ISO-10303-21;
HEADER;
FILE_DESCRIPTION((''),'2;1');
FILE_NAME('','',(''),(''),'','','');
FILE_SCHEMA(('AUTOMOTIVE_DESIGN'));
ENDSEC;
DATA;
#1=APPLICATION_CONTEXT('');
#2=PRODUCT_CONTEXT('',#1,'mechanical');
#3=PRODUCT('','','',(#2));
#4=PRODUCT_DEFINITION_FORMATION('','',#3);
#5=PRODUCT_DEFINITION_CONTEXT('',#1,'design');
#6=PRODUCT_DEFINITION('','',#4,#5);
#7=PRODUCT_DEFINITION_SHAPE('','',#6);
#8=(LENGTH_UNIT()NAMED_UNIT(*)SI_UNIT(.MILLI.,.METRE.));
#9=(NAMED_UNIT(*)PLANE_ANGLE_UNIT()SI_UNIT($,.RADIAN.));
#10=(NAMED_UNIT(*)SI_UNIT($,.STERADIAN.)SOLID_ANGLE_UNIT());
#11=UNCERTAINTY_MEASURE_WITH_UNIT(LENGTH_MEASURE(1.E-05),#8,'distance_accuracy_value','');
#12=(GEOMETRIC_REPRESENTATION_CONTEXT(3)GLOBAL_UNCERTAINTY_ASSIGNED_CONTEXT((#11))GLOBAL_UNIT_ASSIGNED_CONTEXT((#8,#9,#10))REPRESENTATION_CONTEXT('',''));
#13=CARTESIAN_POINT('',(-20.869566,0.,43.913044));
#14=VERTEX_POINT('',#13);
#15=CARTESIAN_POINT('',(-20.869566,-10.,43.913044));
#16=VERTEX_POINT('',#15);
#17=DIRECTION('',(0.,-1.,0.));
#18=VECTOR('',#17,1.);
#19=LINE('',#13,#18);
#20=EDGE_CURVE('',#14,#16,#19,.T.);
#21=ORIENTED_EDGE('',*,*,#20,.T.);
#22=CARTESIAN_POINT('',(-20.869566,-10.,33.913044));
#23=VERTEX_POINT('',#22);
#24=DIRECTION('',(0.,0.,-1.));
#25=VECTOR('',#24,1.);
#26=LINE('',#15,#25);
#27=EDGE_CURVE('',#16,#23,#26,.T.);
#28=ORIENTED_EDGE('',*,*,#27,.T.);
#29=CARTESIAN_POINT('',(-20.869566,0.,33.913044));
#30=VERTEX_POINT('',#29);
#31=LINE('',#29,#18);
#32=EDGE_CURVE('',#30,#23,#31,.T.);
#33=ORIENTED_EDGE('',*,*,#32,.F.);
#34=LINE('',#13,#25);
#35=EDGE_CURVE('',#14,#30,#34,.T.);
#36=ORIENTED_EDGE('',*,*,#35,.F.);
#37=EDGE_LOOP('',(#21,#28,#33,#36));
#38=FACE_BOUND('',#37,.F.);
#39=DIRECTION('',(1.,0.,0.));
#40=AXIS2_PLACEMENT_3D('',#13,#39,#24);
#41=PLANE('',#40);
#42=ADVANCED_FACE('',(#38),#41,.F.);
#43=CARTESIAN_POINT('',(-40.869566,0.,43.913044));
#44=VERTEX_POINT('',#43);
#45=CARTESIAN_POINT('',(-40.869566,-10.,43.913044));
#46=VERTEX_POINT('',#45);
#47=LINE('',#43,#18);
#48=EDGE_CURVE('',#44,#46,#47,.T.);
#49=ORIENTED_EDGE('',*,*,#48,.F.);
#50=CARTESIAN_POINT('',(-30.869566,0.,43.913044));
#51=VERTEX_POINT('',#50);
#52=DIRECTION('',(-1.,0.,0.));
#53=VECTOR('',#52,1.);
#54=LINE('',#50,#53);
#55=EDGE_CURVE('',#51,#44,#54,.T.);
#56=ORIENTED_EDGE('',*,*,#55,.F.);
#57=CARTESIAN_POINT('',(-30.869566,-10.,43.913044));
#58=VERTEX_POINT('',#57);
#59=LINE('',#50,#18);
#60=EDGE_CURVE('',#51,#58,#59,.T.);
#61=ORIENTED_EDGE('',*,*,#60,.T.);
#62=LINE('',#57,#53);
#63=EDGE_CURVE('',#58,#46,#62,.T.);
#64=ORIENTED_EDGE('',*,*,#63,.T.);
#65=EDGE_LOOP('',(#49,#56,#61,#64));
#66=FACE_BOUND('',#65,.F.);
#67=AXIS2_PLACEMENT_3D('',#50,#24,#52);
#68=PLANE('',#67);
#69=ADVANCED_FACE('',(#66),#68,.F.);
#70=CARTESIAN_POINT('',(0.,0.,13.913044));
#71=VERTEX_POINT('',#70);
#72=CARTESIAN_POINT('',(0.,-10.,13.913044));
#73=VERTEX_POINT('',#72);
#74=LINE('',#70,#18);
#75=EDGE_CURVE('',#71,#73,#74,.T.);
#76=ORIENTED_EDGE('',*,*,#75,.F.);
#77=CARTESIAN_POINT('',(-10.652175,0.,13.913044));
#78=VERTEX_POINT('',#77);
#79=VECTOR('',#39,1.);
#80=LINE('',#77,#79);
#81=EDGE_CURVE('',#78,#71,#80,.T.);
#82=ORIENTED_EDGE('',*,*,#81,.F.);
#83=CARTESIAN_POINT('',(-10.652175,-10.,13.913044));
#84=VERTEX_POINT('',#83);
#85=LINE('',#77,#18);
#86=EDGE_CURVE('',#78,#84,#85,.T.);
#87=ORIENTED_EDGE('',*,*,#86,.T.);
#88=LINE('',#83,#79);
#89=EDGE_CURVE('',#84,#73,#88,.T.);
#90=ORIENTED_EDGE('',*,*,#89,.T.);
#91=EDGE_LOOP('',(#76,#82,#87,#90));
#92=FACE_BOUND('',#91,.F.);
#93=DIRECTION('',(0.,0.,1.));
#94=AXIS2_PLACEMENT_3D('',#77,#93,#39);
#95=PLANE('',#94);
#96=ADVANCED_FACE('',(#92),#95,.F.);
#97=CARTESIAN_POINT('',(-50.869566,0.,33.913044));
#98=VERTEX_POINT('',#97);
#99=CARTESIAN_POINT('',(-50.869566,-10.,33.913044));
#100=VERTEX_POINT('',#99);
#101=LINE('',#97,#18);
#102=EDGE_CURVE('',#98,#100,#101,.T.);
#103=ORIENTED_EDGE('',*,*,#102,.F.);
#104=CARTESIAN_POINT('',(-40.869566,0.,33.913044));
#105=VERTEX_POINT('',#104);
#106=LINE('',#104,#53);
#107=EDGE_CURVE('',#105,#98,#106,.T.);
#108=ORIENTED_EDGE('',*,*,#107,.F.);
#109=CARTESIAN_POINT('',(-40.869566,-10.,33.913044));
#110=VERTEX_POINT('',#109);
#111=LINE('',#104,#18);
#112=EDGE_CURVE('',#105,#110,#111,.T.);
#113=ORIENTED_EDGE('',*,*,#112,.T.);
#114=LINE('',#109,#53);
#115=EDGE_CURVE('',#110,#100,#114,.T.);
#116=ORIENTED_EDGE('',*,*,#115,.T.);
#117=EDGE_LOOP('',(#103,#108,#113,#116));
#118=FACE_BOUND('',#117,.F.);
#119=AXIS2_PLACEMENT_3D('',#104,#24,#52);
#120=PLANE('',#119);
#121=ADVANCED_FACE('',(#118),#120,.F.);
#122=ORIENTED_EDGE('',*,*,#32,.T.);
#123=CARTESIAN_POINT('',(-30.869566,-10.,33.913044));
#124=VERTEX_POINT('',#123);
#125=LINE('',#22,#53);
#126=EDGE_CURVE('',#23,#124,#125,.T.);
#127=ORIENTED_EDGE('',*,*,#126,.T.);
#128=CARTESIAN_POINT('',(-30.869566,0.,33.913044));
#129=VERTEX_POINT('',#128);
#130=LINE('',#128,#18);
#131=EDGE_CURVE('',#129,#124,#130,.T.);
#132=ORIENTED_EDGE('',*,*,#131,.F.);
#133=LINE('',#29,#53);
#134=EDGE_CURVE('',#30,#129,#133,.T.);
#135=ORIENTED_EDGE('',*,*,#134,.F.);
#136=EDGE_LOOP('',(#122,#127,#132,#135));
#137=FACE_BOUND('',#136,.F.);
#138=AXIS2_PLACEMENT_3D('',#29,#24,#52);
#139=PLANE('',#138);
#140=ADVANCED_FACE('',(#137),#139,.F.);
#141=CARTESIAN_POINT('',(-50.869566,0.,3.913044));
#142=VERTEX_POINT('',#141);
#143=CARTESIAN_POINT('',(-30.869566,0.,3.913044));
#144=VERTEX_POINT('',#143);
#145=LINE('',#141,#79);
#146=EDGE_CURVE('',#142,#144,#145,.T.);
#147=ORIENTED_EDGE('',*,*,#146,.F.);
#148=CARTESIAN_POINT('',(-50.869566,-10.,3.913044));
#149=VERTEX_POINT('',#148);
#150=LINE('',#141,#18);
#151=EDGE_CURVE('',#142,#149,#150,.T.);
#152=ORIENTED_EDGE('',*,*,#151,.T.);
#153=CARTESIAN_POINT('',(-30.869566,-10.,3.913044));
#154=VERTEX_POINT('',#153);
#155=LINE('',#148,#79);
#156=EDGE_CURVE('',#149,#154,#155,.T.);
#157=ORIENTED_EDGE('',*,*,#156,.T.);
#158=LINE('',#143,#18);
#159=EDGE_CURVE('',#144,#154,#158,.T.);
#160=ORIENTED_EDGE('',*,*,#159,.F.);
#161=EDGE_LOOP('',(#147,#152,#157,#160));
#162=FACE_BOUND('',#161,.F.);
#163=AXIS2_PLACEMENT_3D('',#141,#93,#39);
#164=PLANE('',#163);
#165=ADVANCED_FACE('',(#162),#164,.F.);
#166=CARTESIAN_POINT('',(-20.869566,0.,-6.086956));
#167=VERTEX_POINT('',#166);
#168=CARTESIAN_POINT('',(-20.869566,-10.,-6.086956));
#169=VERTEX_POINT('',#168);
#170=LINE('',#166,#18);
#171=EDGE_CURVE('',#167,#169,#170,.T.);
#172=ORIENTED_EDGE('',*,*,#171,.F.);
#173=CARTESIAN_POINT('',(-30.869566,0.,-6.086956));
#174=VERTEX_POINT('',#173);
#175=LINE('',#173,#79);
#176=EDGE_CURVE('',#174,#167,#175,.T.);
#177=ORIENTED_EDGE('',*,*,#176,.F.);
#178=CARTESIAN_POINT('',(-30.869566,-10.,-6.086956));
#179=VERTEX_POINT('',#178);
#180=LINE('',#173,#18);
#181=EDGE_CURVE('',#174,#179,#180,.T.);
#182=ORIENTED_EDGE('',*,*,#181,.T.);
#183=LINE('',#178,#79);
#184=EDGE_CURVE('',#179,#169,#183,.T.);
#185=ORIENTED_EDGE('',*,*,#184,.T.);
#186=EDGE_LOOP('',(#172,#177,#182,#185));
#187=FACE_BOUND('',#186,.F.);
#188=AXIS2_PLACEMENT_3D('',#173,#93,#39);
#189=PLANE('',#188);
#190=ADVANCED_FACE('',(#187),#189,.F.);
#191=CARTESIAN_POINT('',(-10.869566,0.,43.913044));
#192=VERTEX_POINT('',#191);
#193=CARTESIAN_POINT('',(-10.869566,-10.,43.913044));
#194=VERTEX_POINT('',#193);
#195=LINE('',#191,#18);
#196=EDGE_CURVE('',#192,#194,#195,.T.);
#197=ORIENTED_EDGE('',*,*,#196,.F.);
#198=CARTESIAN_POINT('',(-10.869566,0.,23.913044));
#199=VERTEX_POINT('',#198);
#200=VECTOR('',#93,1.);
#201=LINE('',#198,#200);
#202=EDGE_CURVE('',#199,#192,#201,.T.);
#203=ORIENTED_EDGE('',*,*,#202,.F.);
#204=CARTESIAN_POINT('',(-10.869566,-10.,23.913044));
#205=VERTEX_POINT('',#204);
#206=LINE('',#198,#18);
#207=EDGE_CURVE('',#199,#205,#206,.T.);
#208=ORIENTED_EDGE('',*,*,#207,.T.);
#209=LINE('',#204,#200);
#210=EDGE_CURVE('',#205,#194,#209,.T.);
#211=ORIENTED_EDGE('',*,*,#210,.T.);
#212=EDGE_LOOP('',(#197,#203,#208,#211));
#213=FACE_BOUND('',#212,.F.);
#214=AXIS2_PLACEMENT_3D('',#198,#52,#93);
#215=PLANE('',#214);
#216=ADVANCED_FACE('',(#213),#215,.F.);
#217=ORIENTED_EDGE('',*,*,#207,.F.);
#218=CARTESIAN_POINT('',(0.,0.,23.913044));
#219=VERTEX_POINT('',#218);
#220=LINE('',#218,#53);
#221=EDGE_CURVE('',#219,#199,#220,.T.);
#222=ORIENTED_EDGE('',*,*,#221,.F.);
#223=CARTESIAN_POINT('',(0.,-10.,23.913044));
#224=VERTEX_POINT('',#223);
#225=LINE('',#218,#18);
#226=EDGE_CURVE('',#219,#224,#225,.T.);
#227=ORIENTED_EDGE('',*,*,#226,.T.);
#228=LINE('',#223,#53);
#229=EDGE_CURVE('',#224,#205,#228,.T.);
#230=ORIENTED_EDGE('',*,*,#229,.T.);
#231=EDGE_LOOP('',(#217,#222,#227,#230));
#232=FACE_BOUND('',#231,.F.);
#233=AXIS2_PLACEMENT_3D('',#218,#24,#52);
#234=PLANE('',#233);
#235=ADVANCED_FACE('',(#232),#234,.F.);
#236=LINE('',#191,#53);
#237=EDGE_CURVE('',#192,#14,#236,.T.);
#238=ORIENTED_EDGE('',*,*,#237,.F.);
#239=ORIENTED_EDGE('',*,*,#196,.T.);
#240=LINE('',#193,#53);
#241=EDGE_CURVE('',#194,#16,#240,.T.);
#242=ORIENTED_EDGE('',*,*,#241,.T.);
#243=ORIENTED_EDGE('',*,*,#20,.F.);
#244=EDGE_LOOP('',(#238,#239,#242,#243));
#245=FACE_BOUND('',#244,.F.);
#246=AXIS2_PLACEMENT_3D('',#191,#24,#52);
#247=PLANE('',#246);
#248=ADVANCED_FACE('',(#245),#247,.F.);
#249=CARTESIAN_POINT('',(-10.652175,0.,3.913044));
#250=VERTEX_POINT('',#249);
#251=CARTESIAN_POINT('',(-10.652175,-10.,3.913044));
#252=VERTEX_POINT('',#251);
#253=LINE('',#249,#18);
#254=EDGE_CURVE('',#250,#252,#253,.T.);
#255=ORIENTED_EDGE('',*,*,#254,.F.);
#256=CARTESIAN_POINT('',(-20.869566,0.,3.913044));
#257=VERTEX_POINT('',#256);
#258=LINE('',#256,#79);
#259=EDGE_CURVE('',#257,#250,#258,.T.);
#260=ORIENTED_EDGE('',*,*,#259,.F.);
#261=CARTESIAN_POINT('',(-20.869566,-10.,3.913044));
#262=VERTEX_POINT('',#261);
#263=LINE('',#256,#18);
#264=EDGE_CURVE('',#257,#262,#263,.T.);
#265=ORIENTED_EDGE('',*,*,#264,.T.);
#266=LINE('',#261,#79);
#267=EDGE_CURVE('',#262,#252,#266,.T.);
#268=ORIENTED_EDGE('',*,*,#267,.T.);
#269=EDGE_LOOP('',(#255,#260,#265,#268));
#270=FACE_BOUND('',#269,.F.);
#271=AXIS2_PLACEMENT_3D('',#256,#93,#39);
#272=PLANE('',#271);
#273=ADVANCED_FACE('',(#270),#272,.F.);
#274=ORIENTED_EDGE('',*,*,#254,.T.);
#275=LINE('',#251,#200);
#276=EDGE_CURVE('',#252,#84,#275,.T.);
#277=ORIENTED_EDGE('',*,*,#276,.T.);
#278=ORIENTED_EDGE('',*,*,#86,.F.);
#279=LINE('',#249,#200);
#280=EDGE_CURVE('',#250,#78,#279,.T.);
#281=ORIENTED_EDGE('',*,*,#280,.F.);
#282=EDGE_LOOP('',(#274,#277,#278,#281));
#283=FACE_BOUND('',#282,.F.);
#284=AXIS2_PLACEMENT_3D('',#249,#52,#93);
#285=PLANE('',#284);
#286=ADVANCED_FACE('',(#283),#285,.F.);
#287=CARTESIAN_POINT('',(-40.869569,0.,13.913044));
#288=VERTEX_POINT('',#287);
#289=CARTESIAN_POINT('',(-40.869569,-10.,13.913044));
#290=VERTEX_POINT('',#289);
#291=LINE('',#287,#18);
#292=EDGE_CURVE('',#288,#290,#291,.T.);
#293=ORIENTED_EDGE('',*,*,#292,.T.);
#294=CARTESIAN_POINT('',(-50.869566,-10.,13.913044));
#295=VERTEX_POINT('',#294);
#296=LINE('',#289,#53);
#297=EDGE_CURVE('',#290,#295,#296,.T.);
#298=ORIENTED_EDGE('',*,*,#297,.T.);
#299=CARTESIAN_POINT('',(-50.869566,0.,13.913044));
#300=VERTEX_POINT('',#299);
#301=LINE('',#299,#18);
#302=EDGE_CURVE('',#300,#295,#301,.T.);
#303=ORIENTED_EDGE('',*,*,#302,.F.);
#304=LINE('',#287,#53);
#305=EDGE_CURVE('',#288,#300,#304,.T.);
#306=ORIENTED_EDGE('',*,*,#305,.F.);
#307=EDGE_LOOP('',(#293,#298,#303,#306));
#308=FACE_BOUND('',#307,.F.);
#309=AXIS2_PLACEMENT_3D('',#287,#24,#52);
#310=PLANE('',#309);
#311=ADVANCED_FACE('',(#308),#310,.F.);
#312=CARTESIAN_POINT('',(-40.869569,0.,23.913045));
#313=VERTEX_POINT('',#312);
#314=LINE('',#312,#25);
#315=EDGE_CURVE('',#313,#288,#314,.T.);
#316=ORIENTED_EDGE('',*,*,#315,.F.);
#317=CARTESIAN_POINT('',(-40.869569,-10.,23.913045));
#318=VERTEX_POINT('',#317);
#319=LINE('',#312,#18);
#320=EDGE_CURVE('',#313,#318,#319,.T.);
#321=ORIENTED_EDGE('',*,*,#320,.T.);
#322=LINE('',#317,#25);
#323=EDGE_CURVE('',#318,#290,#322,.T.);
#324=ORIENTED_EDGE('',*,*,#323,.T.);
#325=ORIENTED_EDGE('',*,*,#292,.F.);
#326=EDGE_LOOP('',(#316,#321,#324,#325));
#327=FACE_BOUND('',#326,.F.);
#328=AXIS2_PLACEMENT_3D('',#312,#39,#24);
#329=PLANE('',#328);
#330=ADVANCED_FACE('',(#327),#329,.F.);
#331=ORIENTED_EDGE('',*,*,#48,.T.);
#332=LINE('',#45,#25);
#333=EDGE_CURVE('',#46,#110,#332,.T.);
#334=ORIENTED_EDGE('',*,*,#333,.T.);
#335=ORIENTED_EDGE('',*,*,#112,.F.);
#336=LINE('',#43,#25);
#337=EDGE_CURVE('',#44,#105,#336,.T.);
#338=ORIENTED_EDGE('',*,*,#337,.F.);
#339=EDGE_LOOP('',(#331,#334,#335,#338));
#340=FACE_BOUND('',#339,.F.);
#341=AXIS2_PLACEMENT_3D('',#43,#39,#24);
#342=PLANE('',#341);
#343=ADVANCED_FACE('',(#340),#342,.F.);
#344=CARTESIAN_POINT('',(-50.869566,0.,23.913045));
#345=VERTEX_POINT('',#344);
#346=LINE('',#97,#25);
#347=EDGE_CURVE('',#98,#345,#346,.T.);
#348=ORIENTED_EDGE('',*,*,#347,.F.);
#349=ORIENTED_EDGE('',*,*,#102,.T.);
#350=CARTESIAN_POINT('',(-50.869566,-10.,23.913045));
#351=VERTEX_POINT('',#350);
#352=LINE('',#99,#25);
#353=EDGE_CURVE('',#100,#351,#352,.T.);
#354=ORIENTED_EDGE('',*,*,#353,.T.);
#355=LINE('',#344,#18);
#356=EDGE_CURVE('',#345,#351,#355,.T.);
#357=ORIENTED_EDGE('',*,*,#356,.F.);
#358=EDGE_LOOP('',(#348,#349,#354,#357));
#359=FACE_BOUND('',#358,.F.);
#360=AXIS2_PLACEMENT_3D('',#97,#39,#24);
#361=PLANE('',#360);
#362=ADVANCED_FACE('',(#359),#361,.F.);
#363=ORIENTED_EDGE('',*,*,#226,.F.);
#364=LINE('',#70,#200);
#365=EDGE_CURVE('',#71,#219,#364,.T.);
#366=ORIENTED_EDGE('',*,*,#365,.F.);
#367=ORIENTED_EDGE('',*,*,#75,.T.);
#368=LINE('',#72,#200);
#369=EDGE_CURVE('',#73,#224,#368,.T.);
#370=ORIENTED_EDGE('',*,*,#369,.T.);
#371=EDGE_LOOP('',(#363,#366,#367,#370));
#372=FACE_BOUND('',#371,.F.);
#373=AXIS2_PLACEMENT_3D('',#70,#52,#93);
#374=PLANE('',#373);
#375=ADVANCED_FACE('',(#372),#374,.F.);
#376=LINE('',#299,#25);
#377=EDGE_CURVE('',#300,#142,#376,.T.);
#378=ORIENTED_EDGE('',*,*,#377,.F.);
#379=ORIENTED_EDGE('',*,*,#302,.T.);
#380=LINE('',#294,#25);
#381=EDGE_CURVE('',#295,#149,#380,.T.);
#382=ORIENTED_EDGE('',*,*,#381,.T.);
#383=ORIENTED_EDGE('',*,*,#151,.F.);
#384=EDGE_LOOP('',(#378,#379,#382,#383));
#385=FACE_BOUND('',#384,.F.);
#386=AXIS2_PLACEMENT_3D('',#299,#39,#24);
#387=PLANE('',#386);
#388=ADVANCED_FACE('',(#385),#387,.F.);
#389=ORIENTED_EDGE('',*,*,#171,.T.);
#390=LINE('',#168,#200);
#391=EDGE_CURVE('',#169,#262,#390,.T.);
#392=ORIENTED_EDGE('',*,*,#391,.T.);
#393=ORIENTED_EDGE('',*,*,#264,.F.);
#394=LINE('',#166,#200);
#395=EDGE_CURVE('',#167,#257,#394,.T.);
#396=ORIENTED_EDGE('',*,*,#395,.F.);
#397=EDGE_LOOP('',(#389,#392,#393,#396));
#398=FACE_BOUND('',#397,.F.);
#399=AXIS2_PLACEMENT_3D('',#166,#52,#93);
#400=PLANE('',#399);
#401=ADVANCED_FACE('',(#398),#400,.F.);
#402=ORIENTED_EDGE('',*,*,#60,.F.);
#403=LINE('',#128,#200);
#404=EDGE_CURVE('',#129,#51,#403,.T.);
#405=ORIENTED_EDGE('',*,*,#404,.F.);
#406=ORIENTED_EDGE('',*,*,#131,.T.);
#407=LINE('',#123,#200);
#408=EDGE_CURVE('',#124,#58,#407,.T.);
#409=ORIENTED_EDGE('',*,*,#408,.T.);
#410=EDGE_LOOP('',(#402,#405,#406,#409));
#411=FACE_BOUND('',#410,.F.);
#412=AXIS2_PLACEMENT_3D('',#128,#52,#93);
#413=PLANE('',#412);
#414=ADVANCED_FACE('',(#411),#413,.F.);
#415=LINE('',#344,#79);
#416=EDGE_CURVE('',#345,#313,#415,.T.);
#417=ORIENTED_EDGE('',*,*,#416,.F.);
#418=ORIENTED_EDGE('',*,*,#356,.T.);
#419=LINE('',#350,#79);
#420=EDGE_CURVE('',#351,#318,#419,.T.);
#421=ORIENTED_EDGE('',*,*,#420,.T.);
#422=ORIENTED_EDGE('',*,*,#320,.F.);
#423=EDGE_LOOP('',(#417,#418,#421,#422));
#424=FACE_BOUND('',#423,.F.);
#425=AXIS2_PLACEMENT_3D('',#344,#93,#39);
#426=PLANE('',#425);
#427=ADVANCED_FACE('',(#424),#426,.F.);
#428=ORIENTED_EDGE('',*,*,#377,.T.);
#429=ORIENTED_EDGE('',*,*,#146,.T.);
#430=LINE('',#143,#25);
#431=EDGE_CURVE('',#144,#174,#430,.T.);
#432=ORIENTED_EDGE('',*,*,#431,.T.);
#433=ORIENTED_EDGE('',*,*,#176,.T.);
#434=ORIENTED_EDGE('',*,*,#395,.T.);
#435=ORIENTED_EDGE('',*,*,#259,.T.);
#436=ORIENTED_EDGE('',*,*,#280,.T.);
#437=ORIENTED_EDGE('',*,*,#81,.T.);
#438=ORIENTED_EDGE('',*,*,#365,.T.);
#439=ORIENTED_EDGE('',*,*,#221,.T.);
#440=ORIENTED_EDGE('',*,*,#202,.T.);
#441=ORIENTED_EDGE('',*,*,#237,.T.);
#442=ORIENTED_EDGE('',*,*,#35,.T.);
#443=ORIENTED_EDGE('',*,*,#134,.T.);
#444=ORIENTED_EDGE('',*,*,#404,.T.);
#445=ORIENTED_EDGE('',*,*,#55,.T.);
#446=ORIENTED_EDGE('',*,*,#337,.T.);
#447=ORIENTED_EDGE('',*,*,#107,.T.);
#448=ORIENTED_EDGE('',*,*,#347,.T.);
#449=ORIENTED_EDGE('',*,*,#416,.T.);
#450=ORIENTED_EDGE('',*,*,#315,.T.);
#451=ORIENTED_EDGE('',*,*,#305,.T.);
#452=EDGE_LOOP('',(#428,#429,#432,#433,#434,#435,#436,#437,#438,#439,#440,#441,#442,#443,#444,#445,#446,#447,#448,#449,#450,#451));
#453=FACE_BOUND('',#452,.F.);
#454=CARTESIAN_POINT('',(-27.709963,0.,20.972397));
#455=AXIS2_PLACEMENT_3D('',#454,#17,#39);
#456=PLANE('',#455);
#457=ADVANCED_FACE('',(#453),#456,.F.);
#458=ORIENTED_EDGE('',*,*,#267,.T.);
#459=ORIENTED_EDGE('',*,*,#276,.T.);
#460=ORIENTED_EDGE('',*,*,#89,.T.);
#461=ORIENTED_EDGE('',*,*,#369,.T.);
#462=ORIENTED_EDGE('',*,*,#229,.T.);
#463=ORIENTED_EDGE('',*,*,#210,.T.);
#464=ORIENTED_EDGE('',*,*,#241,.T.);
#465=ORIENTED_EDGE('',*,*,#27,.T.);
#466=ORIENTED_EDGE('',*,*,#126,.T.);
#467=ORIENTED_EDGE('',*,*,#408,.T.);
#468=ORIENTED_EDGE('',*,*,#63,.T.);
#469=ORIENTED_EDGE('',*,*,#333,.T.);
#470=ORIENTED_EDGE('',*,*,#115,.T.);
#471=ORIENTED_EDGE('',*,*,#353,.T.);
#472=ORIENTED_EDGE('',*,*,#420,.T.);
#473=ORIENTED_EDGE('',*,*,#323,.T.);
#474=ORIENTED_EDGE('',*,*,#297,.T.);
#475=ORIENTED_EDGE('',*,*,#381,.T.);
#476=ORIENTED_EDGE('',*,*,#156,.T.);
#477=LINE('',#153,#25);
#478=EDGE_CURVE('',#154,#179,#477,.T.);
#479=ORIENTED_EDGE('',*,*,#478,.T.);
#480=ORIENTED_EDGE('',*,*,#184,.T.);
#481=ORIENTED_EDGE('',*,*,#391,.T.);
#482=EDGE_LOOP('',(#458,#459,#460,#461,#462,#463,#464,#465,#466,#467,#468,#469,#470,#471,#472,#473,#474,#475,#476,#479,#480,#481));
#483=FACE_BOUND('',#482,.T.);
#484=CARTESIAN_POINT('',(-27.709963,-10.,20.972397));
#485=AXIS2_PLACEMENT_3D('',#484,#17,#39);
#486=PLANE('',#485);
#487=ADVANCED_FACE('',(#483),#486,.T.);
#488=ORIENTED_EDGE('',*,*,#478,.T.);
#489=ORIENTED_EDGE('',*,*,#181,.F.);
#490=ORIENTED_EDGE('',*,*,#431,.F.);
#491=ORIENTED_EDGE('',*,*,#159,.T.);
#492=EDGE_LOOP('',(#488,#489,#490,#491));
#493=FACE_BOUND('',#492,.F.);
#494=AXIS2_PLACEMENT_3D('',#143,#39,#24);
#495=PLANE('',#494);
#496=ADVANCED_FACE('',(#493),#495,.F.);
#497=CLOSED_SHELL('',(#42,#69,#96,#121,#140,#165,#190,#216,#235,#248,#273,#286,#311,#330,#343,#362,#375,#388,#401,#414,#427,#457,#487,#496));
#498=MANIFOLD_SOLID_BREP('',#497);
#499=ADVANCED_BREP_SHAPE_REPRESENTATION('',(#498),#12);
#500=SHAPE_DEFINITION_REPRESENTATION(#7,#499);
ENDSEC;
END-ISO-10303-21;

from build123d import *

# Parameters (mm, degrees)
F1_DEPTH = 10


with BuildPart() as f1:
    # F0 (on Front) → F1 (new body)
    with BuildSketch(Plane.XZ):
        Polygon((-40.869566, 33.913044), (-50.869566, 33.913044), (-50.869566, 23.913045), (-40.869569, 23.913045), (-40.869569, 13.913044), (-50.869566, 13.913044), (-50.869566, 3.913044), (-30.869566, 3.913044), (-30.869566, -6.086956), (-20.869566, -6.086956), (-20.869566, 3.913044), (-10.652175, 3.913044), (-10.652175, 13.913044), (0, 13.913044), (0, 23.913044), (-10.869566, 23.913044), (-10.869566, 43.913044), (-20.869566, 43.913044), (-20.869566, 33.913044), (-30.869566, 33.913044), (-30.869566, 43.913044), (-40.869566, 43.913044), align=None)
    extrude(amount=F1_DEPTH)


solid = f1.part
